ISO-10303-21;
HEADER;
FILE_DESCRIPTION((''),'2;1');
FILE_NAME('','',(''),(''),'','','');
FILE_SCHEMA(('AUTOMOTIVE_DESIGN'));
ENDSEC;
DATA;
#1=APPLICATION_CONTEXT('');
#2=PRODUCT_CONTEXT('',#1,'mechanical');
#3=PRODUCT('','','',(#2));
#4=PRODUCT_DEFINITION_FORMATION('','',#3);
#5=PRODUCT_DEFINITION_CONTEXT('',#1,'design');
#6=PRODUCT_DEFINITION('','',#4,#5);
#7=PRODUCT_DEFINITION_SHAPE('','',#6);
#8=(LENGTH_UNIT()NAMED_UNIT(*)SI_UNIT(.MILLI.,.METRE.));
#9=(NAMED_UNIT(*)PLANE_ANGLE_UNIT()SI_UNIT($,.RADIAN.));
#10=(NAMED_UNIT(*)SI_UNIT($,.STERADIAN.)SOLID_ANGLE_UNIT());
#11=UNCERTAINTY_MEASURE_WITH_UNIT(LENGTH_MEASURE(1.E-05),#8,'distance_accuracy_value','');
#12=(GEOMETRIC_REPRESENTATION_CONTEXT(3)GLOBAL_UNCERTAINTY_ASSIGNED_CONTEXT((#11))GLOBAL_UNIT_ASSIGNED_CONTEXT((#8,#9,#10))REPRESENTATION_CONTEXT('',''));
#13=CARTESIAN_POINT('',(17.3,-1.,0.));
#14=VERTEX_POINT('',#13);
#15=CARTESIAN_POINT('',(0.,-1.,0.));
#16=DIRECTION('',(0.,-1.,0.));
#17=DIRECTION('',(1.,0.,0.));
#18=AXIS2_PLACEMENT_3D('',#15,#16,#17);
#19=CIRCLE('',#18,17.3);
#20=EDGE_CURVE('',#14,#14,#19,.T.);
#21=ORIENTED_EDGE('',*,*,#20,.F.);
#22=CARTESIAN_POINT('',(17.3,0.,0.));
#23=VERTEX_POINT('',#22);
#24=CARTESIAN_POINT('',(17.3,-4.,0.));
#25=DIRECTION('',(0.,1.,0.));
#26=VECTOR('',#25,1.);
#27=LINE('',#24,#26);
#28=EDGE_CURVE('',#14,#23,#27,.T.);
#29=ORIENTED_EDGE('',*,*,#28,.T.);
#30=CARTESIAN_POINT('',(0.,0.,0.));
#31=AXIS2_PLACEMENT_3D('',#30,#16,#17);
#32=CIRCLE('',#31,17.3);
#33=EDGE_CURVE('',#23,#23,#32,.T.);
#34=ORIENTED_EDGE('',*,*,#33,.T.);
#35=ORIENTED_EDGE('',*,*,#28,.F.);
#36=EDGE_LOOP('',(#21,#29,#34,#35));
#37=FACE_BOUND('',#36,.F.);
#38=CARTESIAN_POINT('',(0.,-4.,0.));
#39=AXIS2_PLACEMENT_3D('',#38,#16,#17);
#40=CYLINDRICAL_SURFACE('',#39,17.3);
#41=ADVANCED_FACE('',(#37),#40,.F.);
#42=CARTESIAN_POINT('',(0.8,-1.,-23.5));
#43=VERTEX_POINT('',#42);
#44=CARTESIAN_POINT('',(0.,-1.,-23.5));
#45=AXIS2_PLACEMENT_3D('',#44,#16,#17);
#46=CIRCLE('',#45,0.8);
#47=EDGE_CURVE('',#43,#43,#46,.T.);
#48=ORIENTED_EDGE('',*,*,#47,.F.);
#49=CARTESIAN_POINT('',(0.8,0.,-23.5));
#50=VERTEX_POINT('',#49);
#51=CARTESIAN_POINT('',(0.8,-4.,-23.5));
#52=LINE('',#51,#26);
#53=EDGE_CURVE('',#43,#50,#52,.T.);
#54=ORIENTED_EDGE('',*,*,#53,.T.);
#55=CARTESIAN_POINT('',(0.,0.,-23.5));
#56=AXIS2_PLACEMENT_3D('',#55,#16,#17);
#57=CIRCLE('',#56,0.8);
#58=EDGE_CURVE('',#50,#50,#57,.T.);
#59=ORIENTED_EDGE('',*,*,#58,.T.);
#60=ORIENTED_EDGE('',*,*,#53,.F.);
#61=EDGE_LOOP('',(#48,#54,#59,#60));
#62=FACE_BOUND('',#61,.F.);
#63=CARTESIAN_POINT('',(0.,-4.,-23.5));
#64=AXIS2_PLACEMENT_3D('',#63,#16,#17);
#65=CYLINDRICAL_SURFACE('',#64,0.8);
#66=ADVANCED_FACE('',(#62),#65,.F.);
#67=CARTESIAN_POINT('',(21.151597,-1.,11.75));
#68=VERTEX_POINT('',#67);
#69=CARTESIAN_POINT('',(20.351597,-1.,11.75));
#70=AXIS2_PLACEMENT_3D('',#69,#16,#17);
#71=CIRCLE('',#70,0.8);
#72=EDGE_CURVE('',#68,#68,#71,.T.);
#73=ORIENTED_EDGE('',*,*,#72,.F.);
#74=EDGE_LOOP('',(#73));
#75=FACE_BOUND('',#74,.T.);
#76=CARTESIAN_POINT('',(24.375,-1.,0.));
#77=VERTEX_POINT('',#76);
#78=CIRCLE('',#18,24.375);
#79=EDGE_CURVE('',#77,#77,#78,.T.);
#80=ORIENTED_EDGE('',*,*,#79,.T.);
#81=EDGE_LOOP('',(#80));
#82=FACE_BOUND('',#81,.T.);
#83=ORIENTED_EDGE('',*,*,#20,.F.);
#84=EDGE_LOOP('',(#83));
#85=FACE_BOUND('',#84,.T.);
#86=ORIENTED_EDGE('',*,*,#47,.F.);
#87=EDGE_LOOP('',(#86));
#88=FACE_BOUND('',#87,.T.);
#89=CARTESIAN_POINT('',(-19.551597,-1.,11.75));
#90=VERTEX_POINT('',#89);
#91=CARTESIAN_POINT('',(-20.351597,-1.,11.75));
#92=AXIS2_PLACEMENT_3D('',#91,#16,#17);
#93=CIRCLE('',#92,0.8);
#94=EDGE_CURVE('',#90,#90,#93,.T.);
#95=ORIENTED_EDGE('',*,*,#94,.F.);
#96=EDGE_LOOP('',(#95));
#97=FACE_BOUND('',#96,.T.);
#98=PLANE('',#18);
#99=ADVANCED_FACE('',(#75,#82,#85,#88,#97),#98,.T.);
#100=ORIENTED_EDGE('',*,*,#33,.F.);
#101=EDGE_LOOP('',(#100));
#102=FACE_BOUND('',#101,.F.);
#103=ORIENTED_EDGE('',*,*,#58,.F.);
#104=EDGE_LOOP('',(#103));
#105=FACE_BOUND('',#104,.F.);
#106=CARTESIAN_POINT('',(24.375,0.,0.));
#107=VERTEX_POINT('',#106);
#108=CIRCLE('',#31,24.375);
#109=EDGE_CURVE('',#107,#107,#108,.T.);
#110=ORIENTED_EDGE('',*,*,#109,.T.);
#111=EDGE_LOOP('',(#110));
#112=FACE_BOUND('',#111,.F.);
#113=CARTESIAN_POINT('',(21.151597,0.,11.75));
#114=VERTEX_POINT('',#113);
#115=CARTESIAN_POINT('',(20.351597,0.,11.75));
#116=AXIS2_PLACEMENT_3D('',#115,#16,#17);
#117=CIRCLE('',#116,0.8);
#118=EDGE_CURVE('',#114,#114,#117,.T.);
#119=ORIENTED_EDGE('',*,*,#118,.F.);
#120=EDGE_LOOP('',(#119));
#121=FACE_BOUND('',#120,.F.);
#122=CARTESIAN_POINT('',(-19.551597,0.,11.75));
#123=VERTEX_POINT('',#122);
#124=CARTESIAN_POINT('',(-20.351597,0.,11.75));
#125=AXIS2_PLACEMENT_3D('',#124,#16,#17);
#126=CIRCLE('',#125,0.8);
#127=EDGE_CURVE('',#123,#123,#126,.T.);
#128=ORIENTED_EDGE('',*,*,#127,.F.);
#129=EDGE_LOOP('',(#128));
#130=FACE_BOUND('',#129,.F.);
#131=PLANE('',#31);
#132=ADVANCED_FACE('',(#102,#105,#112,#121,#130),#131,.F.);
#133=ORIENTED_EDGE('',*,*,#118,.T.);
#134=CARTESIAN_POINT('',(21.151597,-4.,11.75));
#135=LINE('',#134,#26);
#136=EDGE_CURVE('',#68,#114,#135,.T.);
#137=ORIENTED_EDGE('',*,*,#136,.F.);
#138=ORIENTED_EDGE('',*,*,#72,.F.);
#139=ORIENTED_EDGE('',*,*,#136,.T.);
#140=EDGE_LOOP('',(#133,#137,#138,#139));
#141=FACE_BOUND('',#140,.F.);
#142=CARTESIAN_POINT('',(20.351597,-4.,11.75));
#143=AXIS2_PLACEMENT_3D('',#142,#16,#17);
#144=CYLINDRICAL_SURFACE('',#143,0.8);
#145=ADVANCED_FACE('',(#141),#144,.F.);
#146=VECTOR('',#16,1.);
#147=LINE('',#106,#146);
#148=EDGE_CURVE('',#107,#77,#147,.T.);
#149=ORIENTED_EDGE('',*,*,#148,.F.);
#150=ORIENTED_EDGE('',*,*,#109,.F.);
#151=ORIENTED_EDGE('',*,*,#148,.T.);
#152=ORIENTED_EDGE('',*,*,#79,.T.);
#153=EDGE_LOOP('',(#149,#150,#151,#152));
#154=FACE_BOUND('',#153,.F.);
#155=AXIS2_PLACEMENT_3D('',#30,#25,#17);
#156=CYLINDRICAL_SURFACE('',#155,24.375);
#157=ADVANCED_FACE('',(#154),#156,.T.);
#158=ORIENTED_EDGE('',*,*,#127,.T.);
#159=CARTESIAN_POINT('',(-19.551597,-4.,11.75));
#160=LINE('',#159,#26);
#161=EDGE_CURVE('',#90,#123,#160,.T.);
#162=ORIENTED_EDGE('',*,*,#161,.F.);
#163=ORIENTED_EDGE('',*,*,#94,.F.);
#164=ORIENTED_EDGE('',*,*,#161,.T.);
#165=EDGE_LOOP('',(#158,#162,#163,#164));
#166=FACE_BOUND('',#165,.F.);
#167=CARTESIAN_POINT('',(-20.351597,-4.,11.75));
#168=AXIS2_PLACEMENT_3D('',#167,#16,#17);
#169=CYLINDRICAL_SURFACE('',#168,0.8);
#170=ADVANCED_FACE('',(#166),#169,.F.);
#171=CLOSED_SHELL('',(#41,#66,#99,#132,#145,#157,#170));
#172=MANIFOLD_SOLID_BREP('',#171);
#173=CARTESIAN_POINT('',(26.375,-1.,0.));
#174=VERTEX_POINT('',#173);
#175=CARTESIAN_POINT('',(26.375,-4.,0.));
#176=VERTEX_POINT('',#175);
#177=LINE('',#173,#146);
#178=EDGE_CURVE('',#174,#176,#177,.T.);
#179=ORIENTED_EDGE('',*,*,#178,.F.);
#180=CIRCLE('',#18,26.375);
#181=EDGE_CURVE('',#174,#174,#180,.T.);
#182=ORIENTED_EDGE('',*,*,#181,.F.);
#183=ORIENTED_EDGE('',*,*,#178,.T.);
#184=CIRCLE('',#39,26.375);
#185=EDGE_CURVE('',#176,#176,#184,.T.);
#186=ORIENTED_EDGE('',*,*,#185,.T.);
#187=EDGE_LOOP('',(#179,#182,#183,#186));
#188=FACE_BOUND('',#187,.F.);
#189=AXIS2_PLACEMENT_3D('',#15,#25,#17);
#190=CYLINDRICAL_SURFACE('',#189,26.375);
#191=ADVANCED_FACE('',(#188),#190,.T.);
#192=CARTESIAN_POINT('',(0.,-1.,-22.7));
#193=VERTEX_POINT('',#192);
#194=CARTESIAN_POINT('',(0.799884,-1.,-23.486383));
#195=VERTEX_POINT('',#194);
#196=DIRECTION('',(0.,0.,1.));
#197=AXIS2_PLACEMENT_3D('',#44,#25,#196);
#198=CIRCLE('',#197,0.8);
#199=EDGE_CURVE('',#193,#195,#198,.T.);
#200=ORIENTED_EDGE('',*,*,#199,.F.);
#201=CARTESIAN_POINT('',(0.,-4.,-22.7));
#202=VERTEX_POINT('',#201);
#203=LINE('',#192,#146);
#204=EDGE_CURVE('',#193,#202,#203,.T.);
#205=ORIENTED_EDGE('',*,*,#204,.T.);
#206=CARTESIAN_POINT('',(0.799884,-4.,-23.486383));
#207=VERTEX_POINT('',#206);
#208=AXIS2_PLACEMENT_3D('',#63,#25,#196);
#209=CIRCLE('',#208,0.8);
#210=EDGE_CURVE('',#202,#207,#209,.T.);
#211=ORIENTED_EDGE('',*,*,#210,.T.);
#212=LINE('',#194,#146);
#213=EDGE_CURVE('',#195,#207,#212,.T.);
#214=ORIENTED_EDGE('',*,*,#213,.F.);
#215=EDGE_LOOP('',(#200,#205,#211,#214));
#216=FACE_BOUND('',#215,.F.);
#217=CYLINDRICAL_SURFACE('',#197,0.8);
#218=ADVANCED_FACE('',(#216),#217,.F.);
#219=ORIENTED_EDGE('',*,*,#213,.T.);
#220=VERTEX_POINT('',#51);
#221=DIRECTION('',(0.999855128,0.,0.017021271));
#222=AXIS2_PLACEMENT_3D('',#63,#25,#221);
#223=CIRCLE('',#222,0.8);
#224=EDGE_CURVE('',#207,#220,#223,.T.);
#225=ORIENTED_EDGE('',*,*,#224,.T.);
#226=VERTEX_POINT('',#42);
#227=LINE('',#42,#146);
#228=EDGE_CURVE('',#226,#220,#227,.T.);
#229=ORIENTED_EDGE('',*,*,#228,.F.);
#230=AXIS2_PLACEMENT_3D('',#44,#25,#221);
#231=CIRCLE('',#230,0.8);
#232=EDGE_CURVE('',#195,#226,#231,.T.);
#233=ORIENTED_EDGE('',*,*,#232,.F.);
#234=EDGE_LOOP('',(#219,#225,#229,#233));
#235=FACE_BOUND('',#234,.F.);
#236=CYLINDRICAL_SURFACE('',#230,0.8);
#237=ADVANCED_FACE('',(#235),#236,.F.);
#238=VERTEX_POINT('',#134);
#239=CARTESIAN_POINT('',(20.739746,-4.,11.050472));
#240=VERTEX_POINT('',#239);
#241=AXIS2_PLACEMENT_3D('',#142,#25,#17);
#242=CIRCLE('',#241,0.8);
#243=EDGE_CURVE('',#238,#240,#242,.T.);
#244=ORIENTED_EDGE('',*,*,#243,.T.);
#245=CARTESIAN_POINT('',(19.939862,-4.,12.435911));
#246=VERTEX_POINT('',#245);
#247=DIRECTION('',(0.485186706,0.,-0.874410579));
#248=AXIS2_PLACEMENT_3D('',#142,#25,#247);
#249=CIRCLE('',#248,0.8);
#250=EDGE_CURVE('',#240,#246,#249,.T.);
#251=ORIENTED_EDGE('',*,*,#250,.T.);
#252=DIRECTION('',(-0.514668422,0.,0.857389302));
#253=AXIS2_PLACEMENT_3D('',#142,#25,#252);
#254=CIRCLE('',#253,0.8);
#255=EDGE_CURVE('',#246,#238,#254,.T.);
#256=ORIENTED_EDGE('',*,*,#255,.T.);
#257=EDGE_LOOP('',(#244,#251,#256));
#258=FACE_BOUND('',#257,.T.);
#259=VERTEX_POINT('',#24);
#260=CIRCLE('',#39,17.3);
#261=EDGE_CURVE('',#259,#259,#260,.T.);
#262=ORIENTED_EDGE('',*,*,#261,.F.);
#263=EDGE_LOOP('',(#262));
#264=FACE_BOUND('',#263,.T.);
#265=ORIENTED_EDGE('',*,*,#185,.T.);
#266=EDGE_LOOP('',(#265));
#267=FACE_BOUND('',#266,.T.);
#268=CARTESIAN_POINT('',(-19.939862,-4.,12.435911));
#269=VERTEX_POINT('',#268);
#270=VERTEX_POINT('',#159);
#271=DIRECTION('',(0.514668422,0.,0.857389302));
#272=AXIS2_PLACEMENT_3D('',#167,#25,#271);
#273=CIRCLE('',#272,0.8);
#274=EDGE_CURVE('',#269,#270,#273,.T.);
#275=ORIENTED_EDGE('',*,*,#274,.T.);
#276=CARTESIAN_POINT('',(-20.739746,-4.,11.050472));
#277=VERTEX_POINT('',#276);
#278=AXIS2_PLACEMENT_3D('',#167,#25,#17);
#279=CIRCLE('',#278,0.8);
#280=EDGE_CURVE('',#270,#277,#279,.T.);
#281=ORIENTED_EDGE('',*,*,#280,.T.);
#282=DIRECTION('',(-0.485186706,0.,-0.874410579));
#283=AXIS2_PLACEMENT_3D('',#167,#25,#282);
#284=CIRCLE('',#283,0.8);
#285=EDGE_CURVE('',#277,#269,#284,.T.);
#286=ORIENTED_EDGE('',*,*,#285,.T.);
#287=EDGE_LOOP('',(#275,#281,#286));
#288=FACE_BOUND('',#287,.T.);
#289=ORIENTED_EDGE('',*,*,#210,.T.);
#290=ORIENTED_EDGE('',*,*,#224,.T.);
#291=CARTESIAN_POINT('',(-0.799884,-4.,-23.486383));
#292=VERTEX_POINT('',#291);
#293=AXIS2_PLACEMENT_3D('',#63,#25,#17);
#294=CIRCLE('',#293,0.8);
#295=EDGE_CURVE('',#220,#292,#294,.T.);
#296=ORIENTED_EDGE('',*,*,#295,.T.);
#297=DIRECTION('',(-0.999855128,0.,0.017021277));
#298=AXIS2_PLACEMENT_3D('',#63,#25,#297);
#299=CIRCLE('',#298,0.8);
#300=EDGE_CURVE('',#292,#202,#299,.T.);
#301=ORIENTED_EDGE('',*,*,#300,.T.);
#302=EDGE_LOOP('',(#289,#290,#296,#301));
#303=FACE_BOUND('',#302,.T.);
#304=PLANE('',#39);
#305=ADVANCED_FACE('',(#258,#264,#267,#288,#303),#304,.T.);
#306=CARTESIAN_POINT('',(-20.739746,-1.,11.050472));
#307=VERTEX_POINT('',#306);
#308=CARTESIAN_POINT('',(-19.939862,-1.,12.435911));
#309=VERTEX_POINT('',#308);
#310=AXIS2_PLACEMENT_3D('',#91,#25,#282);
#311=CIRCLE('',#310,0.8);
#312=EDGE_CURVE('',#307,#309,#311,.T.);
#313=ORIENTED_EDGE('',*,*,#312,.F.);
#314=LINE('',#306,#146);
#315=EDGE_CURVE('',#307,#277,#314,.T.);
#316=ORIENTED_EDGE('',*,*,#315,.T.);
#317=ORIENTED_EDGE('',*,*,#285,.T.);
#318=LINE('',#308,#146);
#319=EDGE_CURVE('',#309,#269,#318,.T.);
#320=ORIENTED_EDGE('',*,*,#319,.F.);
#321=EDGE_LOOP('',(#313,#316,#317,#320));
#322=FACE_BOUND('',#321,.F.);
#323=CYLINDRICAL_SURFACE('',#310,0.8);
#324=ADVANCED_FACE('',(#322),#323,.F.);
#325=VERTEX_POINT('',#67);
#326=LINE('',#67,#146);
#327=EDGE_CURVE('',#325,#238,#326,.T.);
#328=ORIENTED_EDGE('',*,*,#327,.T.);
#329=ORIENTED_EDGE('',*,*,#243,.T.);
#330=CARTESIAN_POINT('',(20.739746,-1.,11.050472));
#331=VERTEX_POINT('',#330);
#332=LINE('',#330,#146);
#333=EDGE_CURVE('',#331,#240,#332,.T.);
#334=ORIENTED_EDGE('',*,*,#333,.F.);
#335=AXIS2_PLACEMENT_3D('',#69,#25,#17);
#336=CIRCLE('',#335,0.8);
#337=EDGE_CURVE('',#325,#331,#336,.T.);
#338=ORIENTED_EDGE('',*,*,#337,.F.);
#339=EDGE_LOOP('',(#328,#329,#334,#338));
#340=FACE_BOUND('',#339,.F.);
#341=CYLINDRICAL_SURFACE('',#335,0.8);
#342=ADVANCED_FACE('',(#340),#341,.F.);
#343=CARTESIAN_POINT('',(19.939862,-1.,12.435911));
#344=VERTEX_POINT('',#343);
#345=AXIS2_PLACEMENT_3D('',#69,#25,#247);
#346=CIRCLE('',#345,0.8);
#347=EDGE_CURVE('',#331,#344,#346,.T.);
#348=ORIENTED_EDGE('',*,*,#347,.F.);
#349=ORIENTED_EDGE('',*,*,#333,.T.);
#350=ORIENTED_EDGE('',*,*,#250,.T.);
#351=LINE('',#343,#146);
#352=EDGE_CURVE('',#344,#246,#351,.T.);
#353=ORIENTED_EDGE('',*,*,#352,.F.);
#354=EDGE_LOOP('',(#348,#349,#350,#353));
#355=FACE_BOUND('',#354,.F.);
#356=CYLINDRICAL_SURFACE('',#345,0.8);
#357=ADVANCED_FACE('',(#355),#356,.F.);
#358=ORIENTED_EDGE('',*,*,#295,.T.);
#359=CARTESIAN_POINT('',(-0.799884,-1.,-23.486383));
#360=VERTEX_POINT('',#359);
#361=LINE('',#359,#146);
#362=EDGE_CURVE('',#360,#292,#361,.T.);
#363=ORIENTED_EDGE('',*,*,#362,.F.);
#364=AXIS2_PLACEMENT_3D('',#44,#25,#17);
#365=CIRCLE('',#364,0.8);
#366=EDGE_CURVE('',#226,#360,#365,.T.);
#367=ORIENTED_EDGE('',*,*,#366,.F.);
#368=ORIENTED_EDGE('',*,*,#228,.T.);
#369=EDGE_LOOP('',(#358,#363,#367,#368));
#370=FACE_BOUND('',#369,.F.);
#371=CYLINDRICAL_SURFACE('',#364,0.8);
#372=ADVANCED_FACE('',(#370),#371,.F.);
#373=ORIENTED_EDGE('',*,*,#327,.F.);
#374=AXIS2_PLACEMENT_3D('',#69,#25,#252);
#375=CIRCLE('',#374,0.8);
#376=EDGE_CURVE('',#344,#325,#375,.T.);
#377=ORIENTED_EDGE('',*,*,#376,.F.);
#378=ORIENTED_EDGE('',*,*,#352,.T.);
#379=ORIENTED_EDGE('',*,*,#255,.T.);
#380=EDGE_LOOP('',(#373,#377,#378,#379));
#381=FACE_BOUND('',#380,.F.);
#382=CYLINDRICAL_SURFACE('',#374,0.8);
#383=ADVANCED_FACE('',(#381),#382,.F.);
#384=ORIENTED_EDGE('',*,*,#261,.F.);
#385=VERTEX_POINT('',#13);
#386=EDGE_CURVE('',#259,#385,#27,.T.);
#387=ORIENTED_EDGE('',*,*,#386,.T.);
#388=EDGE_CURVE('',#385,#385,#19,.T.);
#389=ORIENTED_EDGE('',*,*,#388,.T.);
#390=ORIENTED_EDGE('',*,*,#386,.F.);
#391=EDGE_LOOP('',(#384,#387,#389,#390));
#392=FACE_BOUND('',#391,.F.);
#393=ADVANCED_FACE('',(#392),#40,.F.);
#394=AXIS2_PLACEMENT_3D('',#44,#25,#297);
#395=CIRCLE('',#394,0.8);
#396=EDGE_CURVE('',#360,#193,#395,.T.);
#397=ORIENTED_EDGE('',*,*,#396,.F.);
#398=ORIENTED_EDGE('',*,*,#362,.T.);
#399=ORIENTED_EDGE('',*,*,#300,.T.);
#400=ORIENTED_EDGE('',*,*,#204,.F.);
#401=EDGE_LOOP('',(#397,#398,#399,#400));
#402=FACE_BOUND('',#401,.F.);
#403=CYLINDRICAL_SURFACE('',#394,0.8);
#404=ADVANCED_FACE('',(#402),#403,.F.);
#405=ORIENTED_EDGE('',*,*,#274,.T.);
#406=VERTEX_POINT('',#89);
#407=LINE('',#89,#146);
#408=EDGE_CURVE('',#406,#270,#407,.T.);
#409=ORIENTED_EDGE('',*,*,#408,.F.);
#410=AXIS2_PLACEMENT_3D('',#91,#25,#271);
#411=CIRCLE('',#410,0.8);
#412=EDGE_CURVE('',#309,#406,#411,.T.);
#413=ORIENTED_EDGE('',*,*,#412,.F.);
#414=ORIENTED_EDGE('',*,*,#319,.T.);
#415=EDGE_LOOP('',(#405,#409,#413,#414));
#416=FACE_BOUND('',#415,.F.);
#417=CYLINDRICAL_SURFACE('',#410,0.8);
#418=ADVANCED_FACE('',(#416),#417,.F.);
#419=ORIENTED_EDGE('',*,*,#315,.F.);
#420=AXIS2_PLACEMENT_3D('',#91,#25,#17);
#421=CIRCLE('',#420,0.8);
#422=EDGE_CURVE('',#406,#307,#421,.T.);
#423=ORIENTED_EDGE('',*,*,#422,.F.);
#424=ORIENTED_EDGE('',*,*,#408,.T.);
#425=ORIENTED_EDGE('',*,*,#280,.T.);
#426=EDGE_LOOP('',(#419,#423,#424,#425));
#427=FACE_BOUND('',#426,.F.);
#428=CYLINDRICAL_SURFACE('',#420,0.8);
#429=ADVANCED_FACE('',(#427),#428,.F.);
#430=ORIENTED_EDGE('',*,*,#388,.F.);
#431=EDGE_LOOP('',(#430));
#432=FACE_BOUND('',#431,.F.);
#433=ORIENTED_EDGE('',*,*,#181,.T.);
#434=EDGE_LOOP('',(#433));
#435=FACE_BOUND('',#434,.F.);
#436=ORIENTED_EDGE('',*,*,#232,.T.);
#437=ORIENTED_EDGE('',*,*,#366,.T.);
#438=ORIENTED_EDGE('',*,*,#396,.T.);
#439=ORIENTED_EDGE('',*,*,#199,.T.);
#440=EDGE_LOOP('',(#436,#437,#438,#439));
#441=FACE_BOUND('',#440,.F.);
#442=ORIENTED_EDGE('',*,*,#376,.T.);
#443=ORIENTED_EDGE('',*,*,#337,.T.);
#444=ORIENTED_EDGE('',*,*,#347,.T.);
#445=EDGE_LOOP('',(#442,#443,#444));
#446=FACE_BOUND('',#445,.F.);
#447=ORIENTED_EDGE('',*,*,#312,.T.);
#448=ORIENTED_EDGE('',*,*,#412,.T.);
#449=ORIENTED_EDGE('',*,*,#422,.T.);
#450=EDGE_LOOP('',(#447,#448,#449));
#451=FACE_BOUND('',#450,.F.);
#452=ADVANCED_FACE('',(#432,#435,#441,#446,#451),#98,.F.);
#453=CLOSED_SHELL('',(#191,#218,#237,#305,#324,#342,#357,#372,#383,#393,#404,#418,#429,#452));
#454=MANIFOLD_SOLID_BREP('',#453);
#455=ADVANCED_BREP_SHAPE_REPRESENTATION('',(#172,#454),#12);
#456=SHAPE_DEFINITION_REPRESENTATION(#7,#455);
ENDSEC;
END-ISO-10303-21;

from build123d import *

# Parameters (mm, degrees)
F0_R     = 24.375
F1_DEPTH = 1
F2_R     = 26.375
F2_R_2   = 24.375
F3_DEPTH = 3
F4_R     = 0.8
F5_DEPTH = 25
F6_R     = 17.3
F7_DEPTH = 25


with BuildPart() as f1:
    # F0 (on Front) → F1 (new body)
    with BuildSketch(Plane.XZ):
        Circle(F0_R)
    extrude(amount=F1_DEPTH)

    # F4 (on face) → F5 (cut)
    with BuildSketch(Plane.XZ.offset(4)):
        with Locations((-20.3515969889, 11.75)):
            Circle(F4_R)
        with Locations((20.3515969889, 11.75)):
            Circle(F4_R)
        with Locations((0, -23.5)):
            Circle(F4_R)
    extrude(amount=-F5_DEPTH, mode=Mode.SUBTRACT)


with BuildPart() as f3:
    # F2 (on face) → F3 (new body)
    with BuildSketch(Plane.XZ.offset(1)):
        Circle(F2_R)
        Circle(F2_R_2, mode=Mode.SUBTRACT)
        Circle(F2_R_2)
        with BuildLine():
            ThreePointArc((23.5, 0), (16.897444724, -16.331759299), (0.7998841021, -23.4863829787))
            ThreePointArc((0.7998841021, -23.4863829787), (0.799971025, -23.4931912428), (0.8, -23.5))
            ThreePointArc((0.8, -23.5), (-0.0068087572, -24.299971025), (-0.7998841021, -23.4863829787))
            ThreePointArc((-0.7998841021, -23.4863829787), (-20.3515969889, -11.75), (-20.7397463536, 11.0504715369))
            ThreePointArc((-20.7397463536, 11.0504715369), (-21.044417312, 12.15), (-19.9398622516, 12.4359114418))
            ThreePointArc((-19.9398622516, 12.4359114418), (0, 23.5), (19.9398622516, 12.4359114418))
            ThreePointArc((19.9398622516, 12.4359114418), (20.7456859447, 12.4461996086), (21.1515969889, 11.75))
            ThreePointArc((21.1515969889, 11.75), (21.0409878402, 11.3441179308), (20.7397463536, 11.0504715369))
            ThreePointArc((20.7397463536, 11.0504715369), (22.7994960395, 5.6949960795), (23.5, 0))
        make_face(mode=Mode.SUBTRACT)
        with BuildLine():
            ThreePointArc((-0.7998841021, -23.4863829787), (-0.5608504181, -22.9295205451), (0, -22.7))
            ThreePointArc((0, -22.7), (0.5608504181, -22.9295205451), (0.7998841021, -23.4863829787))
            ThreePointArc((0.7998841021, -23.4863829787), (16.897444724, -16.331759299), (23.5, 0))
            ThreePointArc((23.5, 0), (22.7994960395, 5.6949960795), (20.7397463536, 11.0504715369))
            ThreePointArc((20.7397463536, 11.0504715369), (19.6587766659, 11.35), (19.9398622516, 12.4359114418))
            ThreePointArc((19.9398622516, 12.4359114418), (0, 23.5), (-19.9398622516, 12.4359114418))
            ThreePointArc((-19.9398622516, 12.4359114418), (-19.6553973804, 12.1440889558), (-19.5515969889, 11.75))
            ThreePointArc((-19.5515969889, 11.75), (-19.9457149197, 11.0606091487), (-20.7397463536, 11.0504715369))
            ThreePointArc((-20.7397463536, 11.0504715369), (-20.3515969889, -11.75), (-0.7998841021, -23.4863829787))
        make_face()
        with BuildLine():
            ThreePointArc((0, -22.375), (-15.821514229, 15.821514229), (22.375, 0))
            ThreePointArc((22.375, 0), (15.821514229, -15.821514229), (0, -22.375))
        make_face(mode=Mode.SUBTRACT)
        with BuildLine():
            ThreePointArc((0, -22.375), (15.821514229, -15.821514229), (22.375, 0))
            ThreePointArc((22.375, 0), (-15.821514229, 15.821514229), (0, -22.375))
        make_face()
    extrude(amount=F3_DEPTH)


with BuildPart() as f7_tool:
    # F6 (on face) → F7 (new body)
    with BuildSketch(Plane.XZ.offset(4)):
        Circle(F6_R)
    extrude(amount=-F7_DEPTH)


with BuildPart() as f1_1:
    add(f1.part)

    # F7: cut by f7_tool
    add(f7_tool.part, mode=Mode.SUBTRACT)


with BuildPart() as f3_1:
    add(f3.part)

    # F7: cut by f7_tool
    add(f7_tool.part, mode=Mode.SUBTRACT)


solid = Compound([f1_1.part, f3_1.part])
